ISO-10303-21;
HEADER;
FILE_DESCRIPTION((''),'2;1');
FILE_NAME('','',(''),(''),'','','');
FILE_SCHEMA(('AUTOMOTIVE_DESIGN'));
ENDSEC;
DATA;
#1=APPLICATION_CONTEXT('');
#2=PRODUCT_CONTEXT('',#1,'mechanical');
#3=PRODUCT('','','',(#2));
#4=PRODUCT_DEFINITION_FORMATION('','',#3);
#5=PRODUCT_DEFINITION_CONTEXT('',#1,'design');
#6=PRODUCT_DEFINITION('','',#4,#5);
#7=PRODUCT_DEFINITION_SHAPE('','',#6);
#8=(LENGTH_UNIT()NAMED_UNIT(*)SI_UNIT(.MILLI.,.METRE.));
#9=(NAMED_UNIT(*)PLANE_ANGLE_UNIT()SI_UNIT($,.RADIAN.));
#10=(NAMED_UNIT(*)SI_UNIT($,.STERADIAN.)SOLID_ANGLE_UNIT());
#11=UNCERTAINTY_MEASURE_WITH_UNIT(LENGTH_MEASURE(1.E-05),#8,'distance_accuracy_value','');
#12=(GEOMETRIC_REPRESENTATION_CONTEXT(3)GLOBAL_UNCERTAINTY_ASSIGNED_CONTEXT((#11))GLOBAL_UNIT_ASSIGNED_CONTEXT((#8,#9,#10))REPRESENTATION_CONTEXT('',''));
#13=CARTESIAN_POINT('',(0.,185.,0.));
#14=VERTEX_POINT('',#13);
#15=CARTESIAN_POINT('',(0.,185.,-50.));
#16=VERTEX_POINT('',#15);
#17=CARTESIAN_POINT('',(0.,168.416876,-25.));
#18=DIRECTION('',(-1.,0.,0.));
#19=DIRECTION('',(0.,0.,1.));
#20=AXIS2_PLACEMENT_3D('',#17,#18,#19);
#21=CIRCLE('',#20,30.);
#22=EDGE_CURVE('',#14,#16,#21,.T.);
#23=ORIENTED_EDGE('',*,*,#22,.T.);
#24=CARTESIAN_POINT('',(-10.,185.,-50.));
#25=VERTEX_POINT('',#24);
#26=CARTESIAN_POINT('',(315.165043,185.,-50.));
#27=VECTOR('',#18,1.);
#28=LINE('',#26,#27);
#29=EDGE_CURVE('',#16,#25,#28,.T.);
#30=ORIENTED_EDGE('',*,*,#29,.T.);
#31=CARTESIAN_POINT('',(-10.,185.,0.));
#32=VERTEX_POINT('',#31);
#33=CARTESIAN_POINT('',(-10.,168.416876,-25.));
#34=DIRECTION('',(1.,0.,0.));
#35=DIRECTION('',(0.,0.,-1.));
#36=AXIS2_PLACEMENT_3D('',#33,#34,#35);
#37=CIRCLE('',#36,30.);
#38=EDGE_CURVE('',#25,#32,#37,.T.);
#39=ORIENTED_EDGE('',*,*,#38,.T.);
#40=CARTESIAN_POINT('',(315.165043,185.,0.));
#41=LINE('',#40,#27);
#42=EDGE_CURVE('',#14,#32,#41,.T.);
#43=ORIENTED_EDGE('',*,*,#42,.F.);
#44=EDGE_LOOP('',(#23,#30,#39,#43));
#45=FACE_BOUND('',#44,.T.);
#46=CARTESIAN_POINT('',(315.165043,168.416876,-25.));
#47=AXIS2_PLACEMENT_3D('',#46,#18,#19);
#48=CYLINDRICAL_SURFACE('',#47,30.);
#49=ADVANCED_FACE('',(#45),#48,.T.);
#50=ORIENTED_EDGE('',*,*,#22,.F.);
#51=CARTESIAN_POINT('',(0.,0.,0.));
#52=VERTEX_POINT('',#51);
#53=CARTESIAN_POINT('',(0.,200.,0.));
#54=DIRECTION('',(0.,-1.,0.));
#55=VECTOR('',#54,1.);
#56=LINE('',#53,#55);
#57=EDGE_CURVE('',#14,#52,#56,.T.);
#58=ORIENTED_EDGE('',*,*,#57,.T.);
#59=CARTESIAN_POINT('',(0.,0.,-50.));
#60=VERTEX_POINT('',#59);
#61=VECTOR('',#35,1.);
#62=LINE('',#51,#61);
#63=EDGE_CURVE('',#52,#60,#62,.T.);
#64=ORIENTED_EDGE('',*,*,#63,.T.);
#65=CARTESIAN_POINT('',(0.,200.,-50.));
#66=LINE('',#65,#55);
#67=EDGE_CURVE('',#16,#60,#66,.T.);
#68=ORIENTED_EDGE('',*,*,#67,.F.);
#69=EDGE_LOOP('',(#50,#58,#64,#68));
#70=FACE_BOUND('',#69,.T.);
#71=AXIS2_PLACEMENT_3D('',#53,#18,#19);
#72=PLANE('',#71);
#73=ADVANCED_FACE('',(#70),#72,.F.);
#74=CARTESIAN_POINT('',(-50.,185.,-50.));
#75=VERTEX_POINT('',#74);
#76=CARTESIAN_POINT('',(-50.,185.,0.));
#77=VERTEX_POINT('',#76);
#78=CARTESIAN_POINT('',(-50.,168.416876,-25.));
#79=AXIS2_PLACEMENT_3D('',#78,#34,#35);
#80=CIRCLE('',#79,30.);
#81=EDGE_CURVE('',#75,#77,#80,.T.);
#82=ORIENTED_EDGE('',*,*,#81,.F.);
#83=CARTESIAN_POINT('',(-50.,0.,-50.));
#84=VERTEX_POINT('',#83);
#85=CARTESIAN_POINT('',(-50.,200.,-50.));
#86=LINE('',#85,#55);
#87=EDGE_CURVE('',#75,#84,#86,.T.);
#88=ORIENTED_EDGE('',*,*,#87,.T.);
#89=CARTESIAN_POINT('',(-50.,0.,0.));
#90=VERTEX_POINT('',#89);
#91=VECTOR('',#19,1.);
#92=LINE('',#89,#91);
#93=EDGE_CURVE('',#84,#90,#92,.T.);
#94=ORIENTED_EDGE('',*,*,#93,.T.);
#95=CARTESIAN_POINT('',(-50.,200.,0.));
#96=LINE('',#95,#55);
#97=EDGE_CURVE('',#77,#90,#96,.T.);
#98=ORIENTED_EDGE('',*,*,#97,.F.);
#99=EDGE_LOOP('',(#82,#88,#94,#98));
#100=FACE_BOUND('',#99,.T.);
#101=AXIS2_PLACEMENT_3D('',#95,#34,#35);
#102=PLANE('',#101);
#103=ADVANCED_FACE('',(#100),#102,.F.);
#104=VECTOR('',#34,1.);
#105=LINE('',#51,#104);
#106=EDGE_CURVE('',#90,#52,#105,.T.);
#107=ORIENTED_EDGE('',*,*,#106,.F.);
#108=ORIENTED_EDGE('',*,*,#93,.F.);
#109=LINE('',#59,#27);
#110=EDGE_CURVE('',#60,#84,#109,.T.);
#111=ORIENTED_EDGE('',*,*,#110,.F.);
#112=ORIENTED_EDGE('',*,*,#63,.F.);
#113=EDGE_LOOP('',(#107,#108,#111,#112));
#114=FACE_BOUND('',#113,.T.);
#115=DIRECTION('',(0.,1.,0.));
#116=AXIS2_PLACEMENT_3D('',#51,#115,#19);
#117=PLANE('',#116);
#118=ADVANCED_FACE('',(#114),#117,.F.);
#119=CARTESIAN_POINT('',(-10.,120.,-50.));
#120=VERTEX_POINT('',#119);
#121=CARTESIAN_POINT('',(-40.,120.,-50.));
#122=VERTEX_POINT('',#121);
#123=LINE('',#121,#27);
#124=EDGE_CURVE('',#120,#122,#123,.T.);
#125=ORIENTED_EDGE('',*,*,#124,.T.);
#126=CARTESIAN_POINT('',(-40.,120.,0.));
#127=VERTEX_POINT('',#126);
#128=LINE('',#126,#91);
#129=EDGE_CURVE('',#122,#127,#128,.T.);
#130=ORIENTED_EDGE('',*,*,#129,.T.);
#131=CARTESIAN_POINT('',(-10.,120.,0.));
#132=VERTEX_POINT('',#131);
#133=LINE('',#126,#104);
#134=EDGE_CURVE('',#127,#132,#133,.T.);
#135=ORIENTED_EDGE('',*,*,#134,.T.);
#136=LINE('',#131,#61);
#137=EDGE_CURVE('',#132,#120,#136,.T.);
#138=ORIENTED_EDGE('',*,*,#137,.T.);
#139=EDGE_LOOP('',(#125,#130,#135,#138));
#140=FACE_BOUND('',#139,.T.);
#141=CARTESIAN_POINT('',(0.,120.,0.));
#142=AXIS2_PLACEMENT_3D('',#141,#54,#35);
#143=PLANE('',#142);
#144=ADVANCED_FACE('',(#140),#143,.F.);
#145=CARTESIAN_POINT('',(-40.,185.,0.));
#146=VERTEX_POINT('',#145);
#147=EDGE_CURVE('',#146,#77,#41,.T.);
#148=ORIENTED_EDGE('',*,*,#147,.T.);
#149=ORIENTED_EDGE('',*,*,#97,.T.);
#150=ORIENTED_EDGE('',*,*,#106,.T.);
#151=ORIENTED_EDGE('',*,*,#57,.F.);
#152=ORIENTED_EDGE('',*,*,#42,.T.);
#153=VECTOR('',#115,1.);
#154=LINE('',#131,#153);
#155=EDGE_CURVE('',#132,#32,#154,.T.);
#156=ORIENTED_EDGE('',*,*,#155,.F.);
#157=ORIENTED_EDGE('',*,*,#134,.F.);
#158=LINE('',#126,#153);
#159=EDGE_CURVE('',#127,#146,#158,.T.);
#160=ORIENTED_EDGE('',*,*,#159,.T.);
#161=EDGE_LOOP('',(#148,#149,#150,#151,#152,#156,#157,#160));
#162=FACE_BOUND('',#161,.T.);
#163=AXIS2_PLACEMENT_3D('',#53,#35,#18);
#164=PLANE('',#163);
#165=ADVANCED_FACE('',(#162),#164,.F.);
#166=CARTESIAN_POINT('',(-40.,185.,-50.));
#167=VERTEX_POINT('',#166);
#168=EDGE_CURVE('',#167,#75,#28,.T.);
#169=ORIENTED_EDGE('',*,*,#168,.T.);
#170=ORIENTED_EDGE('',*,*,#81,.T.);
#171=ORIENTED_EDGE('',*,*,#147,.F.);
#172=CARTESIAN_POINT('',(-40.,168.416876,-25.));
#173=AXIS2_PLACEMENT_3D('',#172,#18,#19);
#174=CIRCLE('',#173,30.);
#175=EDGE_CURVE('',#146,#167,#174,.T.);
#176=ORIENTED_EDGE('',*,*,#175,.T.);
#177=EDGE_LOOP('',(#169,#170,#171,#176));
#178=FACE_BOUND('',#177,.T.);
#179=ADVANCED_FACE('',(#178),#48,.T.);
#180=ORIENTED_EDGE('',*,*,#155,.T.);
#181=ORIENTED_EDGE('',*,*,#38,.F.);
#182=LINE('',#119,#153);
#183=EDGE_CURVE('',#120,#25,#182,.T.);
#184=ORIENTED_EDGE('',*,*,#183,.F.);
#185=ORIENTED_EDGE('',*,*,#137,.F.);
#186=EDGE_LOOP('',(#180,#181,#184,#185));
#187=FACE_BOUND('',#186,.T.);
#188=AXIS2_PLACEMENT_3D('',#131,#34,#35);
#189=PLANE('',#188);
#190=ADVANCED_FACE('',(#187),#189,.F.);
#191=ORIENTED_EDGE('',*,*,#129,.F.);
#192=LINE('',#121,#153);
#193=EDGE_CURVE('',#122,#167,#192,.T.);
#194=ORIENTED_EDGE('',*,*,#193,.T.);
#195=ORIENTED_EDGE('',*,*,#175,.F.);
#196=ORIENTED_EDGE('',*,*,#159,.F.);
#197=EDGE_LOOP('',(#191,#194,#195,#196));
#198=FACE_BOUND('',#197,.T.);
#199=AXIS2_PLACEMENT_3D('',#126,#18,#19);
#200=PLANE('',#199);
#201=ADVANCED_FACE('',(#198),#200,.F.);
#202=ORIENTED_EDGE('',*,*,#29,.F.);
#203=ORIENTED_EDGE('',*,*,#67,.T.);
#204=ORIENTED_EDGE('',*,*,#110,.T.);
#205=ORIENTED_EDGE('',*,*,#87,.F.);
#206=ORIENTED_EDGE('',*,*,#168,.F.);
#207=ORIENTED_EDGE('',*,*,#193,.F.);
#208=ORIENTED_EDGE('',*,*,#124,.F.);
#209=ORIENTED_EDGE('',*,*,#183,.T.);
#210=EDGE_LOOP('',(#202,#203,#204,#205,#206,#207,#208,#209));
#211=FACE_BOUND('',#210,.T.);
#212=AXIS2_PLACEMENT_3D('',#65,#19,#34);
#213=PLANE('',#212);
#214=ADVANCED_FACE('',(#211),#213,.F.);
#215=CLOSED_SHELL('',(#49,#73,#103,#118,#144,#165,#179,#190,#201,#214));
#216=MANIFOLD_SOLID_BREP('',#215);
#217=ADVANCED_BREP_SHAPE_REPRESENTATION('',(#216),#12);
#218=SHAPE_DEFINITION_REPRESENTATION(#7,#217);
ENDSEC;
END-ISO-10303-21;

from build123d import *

# Parameters (mm, degrees)
SKETCH1_W               = 50
SKETCH1_H               = 50
BOSS_EXTRUDE1_DEPTH     = 200
SKETCH4_W               = 30
SKETCH4_H               = 50
CUT_EXTRUDE1_DEPTH      = 80
CUT_EXTRUDE2_DEPTH      = 213.132034356
CUT_EXTRUDE2_DEPTH_BACK = 213.132034356


with BuildPart() as part:
    # Sketch1 → Boss-Extrude1 (new body)
    with BuildSketch(Plane(origin=(0, 0, 0), x_dir=(1, 0, 0), z_dir=(0, 1, 0))):
        with Locations((-25, 25)):
            Rectangle(SKETCH1_W, SKETCH1_H)
    extrude(amount=BOSS_EXTRUDE1_DEPTH)

    # Sketch4 → Cut-Extrude1 (cut)
    with BuildSketch(Plane(origin=(0, 200, 0), x_dir=(1, 0, 0), z_dir=(0, 1, 0))):
        with Locations((-25, 25)):
            Rectangle(SKETCH4_W, SKETCH4_H)
    extrude(amount=-CUT_EXTRUDE1_DEPTH, mode=Mode.SUBTRACT)

    # Sketch5 → Cut-Extrude2 (cut, two sides: drawn at the far end of the back side and taken through both)
    with BuildSketch(Plane(origin=(0, 0, 0), x_dir=(0, 0, -1), z_dir=(1, 0, 0)).offset(-CUT_EXTRUDE2_DEPTH_BACK)):
        with BuildLine():
            Line((-217.391133594, -142.729464946), (0, 185))
            ThreePointArc((0, 185), (25, 198.416876048), (50, 185))
            Line((50, 185), (267.391133594, -142.729464946))
            Line((267.391133594, -142.729464946), (267.391133594, 643.821250924))
            Line((267.391133594, 643.821250924), (-217.391133594, 643.821250924))
            Line((-217.391133594, 643.821250924), (-217.391133594, -142.729464946))
        make_face()
    extrude(amount=CUT_EXTRUDE2_DEPTH + CUT_EXTRUDE2_DEPTH_BACK, mode=Mode.SUBTRACT)


solid = part.part
